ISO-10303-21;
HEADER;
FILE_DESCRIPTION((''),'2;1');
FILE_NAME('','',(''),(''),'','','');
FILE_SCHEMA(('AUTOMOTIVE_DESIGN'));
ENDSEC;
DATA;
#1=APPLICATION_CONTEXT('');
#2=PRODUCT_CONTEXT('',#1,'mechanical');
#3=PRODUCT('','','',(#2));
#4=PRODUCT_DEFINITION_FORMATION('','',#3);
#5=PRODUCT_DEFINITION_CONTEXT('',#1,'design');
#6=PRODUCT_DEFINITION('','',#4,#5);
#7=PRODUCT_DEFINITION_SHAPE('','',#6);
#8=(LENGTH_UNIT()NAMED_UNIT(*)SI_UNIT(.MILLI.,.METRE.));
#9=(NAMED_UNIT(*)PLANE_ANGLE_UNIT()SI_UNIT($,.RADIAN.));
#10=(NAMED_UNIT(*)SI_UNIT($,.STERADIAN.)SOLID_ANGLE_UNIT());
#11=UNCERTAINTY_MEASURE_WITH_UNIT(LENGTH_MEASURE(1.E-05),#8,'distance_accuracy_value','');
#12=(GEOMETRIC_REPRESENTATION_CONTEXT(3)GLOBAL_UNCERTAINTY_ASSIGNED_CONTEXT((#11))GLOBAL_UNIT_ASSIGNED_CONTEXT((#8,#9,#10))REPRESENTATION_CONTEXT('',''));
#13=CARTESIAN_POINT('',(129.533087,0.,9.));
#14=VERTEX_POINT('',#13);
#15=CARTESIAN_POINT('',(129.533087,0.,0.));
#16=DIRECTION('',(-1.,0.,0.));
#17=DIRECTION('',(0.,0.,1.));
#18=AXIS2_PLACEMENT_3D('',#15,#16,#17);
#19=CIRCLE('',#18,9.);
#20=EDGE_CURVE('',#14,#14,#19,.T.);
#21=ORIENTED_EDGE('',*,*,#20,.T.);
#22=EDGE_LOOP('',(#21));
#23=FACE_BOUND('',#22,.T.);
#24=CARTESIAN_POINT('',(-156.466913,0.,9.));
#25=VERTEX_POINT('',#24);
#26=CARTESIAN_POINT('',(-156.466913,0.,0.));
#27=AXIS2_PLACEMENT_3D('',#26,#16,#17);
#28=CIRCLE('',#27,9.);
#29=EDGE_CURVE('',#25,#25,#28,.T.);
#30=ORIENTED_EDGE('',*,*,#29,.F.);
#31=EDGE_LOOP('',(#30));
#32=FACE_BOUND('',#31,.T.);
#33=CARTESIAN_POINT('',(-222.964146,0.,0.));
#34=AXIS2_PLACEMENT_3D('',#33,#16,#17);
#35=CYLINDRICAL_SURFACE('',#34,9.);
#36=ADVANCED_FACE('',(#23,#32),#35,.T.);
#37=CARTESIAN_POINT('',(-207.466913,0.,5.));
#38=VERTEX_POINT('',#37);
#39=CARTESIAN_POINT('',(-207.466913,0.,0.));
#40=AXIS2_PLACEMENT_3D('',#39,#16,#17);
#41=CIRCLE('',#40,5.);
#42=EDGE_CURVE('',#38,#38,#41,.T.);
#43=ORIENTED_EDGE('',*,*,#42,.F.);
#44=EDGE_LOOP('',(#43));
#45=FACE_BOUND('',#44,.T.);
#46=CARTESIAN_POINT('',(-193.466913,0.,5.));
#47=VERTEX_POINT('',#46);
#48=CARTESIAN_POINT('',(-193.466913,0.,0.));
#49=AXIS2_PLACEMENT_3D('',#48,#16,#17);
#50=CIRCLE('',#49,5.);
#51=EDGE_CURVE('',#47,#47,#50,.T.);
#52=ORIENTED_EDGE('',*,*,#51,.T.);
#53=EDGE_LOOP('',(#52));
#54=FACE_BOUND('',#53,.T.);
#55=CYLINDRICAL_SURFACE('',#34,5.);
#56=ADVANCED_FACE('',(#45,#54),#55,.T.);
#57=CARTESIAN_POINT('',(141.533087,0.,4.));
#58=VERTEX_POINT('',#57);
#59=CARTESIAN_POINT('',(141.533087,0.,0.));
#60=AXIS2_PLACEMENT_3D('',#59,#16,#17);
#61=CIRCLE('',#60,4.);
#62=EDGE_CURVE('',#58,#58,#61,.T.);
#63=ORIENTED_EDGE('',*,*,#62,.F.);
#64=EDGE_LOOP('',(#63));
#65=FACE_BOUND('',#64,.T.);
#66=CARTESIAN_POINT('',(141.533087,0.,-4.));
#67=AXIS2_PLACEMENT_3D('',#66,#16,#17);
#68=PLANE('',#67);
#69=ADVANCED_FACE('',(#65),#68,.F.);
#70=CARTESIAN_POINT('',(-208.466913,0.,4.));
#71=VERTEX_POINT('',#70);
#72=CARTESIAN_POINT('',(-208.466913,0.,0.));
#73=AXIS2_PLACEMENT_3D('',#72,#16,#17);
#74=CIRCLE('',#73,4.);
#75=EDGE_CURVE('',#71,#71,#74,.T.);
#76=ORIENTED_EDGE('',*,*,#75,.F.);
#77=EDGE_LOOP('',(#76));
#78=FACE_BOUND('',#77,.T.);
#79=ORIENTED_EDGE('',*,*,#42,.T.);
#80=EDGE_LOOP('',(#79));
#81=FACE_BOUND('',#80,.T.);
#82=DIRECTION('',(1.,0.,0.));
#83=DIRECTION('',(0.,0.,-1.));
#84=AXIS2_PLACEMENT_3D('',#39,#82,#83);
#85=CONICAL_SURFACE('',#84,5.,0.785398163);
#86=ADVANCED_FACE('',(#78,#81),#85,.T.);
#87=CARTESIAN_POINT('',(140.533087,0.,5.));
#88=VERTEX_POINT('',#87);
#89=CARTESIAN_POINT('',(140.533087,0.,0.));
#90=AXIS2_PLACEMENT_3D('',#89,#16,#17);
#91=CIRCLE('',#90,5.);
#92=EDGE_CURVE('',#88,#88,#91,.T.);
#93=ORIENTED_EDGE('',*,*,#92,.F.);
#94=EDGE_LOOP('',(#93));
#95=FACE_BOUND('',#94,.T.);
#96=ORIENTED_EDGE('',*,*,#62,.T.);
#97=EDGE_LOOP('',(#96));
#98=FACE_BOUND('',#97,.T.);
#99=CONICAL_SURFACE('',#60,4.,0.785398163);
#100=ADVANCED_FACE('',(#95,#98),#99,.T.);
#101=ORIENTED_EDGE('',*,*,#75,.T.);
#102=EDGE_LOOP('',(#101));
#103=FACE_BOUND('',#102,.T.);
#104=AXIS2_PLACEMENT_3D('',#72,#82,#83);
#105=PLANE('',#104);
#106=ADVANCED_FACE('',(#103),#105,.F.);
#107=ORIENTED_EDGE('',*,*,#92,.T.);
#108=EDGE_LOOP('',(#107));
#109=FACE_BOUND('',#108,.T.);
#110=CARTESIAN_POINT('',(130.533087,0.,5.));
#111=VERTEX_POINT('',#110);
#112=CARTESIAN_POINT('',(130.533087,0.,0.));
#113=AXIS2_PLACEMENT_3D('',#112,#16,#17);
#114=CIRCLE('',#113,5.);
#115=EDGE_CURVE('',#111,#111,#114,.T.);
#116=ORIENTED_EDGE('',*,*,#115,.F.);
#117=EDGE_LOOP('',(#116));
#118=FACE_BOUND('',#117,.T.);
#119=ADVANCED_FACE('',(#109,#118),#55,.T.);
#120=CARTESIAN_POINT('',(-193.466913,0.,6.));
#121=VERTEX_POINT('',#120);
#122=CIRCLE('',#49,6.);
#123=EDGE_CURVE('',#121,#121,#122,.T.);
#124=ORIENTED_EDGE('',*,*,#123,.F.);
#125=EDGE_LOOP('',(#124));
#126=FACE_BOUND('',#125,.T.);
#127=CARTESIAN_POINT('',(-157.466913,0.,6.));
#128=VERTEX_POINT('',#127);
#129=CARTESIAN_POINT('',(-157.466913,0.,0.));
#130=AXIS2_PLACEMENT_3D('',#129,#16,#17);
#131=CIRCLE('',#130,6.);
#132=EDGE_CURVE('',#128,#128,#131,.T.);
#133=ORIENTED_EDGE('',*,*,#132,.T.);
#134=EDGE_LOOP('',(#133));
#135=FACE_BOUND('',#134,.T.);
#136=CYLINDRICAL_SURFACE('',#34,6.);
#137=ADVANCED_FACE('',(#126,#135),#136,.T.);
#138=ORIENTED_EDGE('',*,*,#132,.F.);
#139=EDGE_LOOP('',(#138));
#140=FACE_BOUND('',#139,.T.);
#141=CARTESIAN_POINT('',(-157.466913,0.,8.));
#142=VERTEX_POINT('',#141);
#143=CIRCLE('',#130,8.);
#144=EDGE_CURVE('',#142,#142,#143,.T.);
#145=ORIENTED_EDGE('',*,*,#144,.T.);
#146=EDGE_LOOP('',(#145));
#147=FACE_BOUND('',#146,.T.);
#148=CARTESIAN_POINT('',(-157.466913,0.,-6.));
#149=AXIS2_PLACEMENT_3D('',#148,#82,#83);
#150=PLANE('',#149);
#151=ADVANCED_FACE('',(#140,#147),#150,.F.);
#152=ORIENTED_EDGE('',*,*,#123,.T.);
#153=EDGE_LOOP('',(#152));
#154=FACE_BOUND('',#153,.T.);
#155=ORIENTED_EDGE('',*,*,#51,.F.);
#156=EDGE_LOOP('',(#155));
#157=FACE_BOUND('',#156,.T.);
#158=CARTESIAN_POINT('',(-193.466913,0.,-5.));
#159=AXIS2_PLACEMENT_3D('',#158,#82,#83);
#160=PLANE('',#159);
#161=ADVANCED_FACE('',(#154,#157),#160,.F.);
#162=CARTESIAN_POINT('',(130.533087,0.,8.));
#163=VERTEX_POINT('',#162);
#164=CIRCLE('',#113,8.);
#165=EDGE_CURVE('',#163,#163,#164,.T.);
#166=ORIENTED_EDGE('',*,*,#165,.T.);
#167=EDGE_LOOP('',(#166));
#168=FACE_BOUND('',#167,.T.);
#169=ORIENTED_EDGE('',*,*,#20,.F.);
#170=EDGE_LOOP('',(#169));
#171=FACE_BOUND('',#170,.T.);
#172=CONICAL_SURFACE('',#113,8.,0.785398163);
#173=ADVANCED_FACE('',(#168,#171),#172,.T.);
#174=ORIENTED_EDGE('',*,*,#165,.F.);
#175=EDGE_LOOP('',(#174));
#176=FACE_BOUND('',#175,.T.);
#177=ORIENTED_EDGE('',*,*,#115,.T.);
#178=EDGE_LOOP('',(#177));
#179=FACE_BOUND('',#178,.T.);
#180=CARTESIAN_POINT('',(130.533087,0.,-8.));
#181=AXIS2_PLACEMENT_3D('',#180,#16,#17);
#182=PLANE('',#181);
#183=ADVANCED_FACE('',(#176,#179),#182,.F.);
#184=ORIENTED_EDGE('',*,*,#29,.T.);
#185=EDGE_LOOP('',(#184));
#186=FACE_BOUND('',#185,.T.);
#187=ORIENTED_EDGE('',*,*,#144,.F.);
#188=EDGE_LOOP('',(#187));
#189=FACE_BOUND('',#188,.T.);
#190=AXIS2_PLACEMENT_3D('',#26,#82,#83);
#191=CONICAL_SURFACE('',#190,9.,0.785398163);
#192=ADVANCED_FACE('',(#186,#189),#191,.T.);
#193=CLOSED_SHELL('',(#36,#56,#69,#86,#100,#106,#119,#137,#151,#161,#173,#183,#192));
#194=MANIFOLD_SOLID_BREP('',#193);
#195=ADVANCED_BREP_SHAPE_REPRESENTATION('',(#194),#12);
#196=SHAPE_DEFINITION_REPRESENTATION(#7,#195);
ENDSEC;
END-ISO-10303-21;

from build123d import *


with BuildPart() as part:
    # Sketch1 → Revolve1 (revolve)
    with BuildSketch(Plane(origin=(0, 0, 0), x_dir=(1, 0, 0), z_dir=(0, 1, 0)), mode=Mode.PRIVATE) as revolve1_sk:
        Polygon((-208.466913465, 0), (-208.466913465, 4), (-207.466913465, 5), (-193.466913465, 5), (-193.466913465, 6), (-157.466913465, 6), (-157.466913465, 8), (-156.466913465, 9), (129.533086535, 9), (130.533086535, 8), (130.533086535, 5), (140.533086535, 5), (141.533086535, 4), (141.533086535, 0), align=None)
    revolve(revolve1_sk.sketch.rotate(Axis((-222.96414574, 0, 0), (1, 0, 0)), 180), axis=Axis((-222.96414574, 0, 0), (1, 0, 0)))


solid = part.part
